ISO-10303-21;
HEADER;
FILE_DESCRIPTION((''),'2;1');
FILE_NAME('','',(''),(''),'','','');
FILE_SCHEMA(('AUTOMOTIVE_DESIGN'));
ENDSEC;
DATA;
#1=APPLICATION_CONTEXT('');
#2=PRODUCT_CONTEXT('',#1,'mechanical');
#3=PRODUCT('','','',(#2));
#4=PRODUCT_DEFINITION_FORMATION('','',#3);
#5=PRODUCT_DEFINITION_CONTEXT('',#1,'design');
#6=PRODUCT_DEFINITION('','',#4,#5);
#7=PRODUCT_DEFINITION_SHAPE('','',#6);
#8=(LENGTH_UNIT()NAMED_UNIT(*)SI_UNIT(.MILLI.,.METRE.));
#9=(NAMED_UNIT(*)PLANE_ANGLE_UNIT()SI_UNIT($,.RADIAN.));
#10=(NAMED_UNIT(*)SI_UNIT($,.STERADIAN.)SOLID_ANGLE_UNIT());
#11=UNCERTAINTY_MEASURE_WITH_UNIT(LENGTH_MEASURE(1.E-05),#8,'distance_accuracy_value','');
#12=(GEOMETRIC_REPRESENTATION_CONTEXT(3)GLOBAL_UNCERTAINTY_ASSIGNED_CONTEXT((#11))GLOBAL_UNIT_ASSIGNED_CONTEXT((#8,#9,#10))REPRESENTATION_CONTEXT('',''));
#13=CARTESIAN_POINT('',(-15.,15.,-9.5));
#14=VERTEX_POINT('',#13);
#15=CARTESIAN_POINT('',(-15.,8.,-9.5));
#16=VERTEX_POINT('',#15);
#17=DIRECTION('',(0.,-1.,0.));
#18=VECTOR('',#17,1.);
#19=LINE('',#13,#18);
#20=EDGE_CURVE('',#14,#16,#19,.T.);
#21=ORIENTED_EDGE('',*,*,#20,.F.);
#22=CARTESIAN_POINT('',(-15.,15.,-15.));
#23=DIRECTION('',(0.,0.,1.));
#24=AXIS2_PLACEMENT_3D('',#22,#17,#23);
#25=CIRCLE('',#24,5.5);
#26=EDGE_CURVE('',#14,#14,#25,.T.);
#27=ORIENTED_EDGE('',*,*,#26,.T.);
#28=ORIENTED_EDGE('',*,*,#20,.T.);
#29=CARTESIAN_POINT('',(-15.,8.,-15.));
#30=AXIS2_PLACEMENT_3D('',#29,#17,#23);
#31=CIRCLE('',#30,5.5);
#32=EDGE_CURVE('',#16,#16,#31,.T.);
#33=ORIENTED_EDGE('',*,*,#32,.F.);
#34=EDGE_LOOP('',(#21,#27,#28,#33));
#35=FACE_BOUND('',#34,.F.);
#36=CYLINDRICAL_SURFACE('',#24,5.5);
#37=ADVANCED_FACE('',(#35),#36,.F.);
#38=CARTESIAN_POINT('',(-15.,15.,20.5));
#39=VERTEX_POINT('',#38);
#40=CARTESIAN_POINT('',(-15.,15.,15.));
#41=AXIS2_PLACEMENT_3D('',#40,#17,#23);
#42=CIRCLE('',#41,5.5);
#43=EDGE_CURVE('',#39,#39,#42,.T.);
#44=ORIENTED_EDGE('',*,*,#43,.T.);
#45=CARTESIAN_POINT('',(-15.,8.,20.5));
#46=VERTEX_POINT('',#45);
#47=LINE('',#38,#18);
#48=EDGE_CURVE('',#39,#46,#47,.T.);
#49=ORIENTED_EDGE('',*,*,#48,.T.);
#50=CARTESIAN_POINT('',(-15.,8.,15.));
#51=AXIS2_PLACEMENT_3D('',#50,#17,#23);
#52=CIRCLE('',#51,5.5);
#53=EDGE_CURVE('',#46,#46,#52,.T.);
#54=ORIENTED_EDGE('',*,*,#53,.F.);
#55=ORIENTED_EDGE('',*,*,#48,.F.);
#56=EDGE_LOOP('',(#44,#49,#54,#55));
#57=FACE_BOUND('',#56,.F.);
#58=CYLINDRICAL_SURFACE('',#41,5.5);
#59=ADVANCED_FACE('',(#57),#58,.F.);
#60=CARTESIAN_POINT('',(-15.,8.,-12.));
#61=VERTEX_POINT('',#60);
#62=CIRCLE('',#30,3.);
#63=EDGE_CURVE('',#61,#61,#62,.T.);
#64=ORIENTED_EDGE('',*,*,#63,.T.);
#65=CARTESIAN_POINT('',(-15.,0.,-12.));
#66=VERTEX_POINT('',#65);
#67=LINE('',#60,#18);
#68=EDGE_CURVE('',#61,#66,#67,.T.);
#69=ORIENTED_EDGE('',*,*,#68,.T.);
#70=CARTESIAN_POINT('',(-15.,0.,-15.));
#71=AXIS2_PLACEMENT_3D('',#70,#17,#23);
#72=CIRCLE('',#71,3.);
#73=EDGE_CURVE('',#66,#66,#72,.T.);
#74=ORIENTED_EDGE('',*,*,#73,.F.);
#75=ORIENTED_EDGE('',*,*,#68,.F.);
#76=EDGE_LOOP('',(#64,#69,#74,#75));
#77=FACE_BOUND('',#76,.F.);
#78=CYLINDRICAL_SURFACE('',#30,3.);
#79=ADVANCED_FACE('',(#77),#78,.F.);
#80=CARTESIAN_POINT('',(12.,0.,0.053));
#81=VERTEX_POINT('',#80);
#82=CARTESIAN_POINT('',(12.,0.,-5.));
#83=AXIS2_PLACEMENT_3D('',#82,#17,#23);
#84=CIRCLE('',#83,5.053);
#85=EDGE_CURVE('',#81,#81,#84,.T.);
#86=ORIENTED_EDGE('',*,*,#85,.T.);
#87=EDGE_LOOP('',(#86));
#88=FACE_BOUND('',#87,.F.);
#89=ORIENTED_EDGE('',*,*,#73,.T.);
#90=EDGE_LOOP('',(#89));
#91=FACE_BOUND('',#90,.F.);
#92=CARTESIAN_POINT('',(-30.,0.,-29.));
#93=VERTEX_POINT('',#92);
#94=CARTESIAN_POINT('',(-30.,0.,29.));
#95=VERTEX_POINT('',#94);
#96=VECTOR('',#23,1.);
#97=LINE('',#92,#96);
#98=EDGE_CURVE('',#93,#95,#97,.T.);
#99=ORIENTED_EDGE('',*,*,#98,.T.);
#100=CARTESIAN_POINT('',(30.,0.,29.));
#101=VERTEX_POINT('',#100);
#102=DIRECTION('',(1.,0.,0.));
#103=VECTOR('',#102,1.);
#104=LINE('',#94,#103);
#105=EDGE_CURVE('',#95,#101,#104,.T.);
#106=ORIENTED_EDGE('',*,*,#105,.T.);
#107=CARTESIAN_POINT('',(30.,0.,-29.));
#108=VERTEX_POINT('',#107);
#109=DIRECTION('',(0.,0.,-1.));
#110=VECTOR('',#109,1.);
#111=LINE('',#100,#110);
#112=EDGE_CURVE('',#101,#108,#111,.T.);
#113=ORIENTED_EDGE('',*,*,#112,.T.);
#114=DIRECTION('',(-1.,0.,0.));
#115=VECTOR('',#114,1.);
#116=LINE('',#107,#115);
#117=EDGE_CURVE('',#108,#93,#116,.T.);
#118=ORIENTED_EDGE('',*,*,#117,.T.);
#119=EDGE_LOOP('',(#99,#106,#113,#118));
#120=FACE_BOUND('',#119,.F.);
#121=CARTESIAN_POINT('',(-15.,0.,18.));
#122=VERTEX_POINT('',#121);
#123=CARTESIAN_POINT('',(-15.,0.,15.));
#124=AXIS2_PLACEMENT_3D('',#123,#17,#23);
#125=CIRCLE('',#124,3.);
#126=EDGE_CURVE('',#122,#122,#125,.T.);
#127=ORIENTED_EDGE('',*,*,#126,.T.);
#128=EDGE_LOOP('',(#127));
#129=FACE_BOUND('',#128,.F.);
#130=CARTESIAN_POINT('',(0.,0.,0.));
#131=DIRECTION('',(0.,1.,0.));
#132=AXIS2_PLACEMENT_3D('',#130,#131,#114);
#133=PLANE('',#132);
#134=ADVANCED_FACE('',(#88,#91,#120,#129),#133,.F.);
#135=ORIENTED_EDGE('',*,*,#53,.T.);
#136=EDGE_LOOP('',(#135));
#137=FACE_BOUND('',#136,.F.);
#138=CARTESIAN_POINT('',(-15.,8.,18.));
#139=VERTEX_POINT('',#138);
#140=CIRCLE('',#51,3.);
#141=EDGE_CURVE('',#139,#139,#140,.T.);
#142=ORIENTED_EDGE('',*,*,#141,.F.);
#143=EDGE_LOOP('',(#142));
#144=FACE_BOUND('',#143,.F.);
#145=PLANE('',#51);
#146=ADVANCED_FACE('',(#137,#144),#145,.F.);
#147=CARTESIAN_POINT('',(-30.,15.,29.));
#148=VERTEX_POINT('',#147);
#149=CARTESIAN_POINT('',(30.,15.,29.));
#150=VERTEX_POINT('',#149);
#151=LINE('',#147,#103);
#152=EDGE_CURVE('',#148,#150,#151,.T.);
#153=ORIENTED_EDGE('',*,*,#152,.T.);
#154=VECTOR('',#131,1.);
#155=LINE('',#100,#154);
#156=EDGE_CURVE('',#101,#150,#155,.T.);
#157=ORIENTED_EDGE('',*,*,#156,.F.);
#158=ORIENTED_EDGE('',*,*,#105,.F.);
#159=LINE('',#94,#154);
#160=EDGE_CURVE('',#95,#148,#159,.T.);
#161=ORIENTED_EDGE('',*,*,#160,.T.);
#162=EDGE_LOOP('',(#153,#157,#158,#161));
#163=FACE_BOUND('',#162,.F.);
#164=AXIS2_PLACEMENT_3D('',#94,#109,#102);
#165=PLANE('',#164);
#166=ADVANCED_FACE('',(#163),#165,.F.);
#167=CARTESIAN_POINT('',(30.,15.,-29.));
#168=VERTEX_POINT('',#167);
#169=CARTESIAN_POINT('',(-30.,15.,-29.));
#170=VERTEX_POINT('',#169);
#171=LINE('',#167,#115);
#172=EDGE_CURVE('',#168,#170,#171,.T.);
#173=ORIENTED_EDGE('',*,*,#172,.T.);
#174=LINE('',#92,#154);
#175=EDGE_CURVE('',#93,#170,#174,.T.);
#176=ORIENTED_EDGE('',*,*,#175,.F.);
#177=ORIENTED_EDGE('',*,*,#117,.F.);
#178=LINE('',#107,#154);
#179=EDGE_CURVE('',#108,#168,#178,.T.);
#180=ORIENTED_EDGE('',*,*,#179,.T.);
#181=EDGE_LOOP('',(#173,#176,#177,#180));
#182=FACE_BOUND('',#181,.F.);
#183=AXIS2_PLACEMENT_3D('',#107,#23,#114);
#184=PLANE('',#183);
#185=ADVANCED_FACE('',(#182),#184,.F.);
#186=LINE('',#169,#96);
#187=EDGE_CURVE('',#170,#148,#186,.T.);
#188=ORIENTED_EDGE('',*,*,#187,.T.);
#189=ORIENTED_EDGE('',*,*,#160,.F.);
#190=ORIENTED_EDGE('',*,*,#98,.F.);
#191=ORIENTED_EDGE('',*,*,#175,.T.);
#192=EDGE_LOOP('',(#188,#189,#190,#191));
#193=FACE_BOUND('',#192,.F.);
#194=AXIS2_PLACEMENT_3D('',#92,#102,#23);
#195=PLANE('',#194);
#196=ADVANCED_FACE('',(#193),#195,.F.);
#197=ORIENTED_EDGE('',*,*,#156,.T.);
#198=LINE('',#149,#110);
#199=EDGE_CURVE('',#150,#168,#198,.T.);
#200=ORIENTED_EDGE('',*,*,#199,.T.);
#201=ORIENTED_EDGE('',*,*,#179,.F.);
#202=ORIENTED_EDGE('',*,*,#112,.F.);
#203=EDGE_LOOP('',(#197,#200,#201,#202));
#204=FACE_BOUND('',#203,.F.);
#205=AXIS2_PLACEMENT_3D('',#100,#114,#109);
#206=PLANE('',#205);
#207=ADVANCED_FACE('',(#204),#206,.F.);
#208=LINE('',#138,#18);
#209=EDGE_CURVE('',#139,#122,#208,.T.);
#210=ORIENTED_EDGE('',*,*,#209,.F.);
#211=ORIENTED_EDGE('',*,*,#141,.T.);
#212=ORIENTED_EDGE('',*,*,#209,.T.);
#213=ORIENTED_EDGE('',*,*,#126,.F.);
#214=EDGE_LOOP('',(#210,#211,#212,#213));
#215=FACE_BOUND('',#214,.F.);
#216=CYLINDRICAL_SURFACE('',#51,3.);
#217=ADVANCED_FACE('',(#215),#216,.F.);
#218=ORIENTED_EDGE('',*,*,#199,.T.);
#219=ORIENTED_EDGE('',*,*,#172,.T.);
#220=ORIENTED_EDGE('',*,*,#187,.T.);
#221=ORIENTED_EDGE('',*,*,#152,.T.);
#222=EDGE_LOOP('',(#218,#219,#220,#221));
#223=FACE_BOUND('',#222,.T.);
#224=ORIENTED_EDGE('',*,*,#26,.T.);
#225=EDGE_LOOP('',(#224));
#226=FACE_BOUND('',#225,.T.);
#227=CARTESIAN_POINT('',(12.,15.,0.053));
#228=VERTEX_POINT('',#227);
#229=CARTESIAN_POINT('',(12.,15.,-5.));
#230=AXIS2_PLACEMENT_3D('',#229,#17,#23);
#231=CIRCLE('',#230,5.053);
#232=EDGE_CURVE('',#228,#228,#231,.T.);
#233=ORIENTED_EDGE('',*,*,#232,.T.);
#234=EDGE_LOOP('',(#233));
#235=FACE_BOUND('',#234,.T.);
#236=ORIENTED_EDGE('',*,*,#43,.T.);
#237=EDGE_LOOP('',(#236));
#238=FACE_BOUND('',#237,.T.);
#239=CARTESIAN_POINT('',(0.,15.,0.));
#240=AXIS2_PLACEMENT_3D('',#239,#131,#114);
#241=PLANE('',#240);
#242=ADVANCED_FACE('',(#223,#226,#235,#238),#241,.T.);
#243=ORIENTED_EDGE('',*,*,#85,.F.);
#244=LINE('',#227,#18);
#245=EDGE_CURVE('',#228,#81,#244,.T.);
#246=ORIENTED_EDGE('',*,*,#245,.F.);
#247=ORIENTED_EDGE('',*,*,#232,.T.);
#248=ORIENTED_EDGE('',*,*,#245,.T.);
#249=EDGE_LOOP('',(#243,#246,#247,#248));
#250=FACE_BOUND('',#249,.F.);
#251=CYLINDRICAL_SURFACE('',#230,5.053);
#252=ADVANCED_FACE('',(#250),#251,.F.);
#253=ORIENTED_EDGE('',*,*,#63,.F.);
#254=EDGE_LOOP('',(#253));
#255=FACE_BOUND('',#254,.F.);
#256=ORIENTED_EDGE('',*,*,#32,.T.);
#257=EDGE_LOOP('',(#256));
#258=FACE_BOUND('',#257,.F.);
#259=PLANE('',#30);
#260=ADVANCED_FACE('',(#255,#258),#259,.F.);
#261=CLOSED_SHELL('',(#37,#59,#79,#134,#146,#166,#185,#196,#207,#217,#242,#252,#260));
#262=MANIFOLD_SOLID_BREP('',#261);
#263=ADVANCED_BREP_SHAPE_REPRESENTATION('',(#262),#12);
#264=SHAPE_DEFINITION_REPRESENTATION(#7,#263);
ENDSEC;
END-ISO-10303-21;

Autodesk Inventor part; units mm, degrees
ref_plane "YZ Plane" through (0, 0, 0) normal (1, 0, 0) x (0, 1, 0)
ref_plane "XZ Plane" through (0, 0, 0) normal (0, 1, 0) x (-1, 0, 0)
ref_plane "XY Plane" through (0, 0, 0) normal (0, 0, 1) x (1, 0, 0)
sketch "Sketch1" plane through (0, 0, 0) normal (0, 1, 0) x (-1, 0, 0)
  line L0 (30, 29) -> (-30, 29)
  line L1 (-30, 29) -> (-30, -29)
  line L2 (-30, -29) -> (30, -29)
  line L3 (30, -29) -> (30, 29)
  line L4 (30, 29) -> (-30, -29) construction
  line L5 (-30, 29) -> (30, -29) construction
  point P0 (0, 0)
  dimension "d0" = 60
  dimension "d1" = 58
extrude "Extrusion1" add sketch "Sketch1" along normal blind 15
sketch "Sketch2" plane through (0, 15, 0) normal (0, 1, 0) x (1, 0, 0)
  line L0 (30, -29) -> (30, 29) projected
  line L1 (30, 29) -> (-30, 29) projected
  line L2 (-30, 29) -> (-30, -29) projected
  line L3 (-30, -29) -> (30, -29) projected
  line L4 (-30, 0) -> (30, 0) construction
  point P0 (0, 0)
  point P1 (-15, -15)
  point P2 (-15, 15)
  point P3 (0, 0)
  point P4 (12, 5)
  dimension "d4" = 30
  dimension "d5" = 15
  dimension "d22" = 12
  dimension "d24" = 5
hole "Hole1" at (12, 15, -5) direction (0, -1, 0) diameter 10.106 end through all thread size "M12x1.75" class "6H" standard "ISO Metric profile"
hole "Hole2" at (-15, 15, 15) at (-15, 15, -15) direction (0, -1, 0) diameter 6 end through all counterbore diameter 11 counterbore depth 7
properties part number "Lift Bracket other side"
